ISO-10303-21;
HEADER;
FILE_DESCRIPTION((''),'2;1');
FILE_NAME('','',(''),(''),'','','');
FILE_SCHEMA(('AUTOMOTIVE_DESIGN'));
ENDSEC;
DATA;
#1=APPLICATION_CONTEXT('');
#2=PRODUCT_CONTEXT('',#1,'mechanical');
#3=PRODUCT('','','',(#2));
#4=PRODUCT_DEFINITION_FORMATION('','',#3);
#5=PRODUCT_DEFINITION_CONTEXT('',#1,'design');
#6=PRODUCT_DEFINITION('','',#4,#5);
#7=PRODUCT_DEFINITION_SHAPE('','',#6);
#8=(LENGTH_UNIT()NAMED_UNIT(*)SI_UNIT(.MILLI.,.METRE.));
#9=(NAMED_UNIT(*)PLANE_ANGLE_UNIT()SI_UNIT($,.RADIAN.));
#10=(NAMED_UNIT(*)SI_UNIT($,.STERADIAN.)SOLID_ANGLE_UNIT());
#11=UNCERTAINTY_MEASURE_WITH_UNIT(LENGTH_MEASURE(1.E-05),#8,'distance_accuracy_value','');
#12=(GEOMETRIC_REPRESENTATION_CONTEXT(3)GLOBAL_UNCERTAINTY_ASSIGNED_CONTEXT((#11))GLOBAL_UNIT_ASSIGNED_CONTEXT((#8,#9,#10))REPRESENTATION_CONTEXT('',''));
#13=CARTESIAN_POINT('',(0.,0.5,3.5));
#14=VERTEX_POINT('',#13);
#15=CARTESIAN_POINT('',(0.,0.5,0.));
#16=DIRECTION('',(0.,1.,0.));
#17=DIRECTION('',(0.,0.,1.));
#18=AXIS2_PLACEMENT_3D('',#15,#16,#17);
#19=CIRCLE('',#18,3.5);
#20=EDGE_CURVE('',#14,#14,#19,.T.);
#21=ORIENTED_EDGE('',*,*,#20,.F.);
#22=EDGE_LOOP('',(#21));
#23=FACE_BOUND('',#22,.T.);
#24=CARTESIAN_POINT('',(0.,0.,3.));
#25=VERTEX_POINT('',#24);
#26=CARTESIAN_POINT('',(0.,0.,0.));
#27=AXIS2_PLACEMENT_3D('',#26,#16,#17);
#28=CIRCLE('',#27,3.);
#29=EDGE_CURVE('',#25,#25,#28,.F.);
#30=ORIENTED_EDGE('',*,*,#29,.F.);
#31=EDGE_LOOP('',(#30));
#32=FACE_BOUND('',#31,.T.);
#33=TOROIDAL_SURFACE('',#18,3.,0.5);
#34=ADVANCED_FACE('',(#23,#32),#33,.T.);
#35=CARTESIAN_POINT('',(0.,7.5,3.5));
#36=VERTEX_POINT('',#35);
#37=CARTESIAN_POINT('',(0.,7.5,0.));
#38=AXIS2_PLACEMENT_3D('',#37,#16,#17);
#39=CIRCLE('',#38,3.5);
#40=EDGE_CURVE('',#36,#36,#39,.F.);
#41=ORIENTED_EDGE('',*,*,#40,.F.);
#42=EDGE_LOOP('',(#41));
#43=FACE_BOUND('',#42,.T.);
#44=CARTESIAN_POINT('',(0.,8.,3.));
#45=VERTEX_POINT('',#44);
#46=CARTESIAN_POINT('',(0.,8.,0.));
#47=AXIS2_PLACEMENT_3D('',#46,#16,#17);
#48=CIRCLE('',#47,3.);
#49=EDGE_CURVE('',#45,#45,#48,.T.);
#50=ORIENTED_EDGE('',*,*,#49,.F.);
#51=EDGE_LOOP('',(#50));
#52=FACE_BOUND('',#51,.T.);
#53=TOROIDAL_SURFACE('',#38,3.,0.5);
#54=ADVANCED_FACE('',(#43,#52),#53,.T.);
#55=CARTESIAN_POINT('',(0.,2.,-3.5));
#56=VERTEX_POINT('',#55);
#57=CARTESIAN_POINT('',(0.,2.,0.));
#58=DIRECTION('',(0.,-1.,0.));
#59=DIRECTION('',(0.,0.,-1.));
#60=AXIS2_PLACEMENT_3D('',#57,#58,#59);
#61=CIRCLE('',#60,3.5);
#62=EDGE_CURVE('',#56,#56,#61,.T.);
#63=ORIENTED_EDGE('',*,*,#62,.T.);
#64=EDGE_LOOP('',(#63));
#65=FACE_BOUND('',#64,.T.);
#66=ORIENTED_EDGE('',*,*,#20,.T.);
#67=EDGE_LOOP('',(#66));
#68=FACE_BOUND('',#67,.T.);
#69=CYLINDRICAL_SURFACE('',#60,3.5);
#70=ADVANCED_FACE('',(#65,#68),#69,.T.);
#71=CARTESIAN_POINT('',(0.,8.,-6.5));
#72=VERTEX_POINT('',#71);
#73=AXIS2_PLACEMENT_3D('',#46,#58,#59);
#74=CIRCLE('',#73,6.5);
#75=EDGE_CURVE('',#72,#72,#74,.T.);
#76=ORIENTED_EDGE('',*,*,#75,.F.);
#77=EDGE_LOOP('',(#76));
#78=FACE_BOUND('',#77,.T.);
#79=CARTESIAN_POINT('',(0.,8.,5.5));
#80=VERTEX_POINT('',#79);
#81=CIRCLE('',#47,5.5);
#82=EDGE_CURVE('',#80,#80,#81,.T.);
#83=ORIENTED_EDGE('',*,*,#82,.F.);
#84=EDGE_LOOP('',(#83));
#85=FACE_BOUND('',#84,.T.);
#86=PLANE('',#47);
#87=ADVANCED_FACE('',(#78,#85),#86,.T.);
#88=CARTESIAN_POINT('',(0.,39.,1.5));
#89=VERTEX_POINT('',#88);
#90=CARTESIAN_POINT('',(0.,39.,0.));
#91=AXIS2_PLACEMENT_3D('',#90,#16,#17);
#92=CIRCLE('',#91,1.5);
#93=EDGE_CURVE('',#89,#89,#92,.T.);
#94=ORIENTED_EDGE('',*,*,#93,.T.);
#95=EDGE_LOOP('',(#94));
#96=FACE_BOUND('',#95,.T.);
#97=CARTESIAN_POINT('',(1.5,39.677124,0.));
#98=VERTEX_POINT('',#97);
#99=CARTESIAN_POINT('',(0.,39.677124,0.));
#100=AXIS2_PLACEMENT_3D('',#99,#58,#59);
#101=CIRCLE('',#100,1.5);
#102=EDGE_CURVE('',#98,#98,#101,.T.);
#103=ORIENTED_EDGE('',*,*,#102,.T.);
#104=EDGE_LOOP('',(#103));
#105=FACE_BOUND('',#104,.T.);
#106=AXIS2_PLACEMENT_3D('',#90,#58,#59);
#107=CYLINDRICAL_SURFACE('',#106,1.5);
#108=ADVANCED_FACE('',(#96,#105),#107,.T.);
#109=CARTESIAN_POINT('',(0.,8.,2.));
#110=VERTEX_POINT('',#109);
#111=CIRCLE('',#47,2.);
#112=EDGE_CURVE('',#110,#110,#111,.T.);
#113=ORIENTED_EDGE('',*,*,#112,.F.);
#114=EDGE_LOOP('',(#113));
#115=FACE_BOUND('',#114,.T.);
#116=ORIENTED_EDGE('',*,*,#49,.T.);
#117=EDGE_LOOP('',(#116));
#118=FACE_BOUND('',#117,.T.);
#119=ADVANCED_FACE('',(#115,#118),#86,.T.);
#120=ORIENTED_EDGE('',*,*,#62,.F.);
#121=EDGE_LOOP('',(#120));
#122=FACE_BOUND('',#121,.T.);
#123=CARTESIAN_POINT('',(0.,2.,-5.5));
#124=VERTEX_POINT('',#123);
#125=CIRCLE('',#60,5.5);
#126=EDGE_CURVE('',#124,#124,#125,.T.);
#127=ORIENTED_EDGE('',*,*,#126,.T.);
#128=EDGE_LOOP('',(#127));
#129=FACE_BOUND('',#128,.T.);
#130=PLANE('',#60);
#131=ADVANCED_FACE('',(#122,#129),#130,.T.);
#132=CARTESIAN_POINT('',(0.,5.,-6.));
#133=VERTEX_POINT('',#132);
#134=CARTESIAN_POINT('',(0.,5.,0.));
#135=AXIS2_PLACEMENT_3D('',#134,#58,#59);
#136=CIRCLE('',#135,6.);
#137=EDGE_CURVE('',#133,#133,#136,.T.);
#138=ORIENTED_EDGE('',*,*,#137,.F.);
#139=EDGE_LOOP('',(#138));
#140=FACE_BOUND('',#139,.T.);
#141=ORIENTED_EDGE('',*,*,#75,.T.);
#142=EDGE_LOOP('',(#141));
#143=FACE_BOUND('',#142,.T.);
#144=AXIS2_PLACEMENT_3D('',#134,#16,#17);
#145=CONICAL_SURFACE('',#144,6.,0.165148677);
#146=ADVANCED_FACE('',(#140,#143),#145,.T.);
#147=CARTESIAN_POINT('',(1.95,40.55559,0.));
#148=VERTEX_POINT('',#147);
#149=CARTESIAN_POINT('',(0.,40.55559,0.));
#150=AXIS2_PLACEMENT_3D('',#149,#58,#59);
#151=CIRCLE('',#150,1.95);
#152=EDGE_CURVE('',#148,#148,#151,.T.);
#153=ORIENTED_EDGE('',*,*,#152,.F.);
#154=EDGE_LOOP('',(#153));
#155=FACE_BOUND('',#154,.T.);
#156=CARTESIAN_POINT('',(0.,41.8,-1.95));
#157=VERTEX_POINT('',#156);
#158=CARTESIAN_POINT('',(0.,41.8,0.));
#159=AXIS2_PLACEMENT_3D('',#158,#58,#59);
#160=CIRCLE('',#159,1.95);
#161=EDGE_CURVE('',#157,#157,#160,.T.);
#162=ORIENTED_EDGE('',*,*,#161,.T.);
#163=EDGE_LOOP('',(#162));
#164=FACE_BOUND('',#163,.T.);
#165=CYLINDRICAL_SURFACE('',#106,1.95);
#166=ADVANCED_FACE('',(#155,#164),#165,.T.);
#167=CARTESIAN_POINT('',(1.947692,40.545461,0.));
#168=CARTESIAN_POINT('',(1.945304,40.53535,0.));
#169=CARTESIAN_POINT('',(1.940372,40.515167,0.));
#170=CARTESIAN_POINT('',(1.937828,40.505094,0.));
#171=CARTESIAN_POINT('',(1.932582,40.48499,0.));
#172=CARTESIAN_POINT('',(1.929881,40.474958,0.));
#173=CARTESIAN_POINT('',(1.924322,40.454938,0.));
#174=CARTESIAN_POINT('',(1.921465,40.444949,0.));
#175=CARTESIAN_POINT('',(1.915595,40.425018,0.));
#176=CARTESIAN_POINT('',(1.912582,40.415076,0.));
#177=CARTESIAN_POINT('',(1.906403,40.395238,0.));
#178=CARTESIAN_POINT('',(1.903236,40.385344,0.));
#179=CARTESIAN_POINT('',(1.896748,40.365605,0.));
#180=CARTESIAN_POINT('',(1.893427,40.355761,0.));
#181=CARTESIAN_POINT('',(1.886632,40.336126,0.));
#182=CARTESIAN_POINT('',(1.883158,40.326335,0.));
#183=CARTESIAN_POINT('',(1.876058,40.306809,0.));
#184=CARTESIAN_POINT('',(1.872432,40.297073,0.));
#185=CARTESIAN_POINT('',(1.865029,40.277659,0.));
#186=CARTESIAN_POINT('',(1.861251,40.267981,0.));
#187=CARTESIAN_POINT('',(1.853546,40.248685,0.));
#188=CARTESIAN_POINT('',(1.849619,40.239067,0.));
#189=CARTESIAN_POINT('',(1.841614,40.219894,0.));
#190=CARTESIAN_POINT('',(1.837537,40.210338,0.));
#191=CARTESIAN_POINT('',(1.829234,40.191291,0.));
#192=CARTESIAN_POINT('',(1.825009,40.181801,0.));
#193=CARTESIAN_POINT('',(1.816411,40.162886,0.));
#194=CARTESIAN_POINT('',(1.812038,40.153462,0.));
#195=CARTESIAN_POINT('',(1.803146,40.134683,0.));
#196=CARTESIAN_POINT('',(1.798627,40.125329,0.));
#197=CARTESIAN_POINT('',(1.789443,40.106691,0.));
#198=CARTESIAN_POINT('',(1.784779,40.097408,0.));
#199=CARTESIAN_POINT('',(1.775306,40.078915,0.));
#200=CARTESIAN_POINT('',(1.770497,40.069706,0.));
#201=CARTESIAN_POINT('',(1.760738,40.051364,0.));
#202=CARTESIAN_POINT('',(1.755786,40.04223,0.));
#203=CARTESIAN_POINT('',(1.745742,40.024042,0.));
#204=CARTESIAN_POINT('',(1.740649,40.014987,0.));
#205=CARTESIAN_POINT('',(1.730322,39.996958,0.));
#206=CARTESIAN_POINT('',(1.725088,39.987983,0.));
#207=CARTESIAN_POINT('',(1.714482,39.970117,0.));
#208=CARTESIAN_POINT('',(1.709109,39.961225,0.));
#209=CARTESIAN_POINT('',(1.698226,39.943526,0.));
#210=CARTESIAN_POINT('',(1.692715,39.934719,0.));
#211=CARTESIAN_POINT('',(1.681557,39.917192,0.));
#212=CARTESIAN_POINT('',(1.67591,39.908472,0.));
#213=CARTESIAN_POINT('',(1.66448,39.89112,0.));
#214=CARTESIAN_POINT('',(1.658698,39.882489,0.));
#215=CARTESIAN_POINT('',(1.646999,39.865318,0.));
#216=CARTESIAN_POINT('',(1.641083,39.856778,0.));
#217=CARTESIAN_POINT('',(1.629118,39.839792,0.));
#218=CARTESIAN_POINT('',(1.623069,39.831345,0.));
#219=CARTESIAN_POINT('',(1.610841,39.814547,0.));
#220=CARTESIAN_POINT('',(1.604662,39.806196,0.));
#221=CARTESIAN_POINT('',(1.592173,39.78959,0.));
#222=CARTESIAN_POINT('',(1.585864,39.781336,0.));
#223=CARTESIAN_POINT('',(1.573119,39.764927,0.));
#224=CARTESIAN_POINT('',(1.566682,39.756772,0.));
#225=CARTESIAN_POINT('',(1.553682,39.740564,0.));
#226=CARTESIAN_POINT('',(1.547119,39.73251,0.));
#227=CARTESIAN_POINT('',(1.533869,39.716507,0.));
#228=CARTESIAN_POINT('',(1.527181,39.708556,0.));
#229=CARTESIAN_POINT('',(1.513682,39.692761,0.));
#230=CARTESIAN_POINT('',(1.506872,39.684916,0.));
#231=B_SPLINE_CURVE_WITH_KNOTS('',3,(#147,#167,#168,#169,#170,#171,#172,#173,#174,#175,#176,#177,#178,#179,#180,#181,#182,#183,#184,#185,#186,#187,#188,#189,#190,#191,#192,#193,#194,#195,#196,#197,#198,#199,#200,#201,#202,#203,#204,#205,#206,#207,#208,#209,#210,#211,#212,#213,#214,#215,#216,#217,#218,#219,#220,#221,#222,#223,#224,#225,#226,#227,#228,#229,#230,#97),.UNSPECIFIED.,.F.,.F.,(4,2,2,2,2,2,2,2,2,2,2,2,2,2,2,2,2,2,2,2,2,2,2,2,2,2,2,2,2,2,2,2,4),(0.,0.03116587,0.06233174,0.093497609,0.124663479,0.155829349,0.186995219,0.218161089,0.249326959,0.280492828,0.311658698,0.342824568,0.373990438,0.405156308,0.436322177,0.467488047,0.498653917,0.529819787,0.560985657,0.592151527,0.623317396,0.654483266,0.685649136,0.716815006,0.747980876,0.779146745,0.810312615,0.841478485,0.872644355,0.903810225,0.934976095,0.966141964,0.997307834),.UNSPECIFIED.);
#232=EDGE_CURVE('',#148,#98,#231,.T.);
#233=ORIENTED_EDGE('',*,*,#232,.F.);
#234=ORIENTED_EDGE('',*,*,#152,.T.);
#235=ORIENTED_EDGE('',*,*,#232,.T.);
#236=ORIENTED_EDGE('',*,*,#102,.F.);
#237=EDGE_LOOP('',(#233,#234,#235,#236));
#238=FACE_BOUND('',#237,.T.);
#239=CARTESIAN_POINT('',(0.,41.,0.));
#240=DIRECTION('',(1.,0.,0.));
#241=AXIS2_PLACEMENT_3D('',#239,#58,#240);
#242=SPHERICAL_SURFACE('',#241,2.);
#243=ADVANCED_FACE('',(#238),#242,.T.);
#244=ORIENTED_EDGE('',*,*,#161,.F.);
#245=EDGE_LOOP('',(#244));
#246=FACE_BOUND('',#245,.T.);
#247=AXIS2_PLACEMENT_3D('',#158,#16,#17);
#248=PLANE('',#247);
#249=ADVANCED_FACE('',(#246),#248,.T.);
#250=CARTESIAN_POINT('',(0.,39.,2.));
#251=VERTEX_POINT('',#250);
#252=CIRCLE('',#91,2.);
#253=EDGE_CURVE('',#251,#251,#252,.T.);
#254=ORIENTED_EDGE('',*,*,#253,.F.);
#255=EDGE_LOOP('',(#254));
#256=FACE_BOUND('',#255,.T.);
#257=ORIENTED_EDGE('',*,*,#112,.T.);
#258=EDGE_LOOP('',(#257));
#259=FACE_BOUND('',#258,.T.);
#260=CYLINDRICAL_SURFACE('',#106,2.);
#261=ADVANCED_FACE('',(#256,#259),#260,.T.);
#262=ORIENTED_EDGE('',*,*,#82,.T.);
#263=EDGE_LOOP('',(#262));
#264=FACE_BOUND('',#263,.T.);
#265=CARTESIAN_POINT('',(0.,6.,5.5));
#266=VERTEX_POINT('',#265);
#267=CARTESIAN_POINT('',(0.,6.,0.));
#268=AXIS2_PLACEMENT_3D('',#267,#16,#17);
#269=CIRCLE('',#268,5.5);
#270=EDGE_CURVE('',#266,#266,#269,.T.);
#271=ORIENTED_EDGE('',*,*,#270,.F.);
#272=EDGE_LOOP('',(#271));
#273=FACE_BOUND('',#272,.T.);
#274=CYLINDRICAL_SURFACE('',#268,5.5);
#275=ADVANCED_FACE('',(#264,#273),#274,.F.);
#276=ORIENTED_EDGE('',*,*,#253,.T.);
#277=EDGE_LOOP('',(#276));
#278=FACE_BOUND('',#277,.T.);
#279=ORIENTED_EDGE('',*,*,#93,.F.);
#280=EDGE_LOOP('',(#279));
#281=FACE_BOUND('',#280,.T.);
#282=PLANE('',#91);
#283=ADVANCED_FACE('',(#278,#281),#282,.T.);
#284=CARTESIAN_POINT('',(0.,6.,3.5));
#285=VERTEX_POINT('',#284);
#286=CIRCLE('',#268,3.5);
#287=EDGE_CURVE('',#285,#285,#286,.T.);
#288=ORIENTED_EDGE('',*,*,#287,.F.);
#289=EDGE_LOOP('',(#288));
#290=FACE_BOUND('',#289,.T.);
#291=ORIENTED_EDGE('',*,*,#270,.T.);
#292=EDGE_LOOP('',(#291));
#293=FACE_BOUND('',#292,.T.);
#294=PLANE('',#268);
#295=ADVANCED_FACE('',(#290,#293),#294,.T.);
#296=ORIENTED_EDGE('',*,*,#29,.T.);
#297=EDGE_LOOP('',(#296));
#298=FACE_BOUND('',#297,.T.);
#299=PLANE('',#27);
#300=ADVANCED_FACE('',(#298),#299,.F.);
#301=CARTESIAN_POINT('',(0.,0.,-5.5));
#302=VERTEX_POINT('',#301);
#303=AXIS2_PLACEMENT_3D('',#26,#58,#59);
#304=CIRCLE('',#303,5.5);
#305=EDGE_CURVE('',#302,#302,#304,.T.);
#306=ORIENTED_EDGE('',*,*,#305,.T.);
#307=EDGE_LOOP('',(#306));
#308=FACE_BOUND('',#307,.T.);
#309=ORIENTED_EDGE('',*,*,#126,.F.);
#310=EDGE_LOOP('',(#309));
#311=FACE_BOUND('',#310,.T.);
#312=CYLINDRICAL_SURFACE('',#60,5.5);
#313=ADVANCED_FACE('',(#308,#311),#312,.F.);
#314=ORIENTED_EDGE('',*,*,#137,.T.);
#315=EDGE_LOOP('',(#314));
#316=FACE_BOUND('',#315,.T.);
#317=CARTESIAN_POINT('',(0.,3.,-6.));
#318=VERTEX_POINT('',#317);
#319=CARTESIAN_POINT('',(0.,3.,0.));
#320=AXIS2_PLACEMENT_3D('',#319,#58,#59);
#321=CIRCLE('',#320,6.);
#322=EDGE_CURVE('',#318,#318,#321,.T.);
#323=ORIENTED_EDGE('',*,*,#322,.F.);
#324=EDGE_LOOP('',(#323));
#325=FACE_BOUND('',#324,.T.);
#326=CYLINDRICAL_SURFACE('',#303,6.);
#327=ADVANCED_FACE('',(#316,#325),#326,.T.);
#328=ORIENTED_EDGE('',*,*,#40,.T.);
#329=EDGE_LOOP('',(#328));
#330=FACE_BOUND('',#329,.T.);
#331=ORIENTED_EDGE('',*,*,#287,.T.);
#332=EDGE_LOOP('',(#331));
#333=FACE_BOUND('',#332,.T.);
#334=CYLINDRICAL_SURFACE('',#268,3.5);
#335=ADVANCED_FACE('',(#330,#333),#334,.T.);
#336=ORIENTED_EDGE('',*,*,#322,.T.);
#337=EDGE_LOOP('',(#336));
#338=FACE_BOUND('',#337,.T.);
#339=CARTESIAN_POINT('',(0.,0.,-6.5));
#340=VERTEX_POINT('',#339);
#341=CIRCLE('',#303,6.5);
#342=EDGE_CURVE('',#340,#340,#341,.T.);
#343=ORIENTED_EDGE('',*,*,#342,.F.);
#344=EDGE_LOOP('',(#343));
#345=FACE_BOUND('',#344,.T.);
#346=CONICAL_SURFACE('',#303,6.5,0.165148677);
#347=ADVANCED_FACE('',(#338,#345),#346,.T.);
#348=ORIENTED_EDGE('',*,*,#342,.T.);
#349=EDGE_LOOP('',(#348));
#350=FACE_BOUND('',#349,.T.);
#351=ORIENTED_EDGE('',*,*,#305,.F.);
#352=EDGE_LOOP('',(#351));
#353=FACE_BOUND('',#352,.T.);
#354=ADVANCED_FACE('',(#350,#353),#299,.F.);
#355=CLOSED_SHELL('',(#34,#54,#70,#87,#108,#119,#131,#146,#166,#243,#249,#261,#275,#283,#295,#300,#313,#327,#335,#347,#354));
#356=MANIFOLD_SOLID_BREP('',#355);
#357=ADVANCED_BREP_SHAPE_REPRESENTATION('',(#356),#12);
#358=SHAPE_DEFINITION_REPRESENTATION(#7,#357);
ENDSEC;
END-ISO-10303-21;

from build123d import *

# Parameters (mm, degrees)
SKETCH_1_R          = 6.5
EXTRUDE_1_DEPTH     = 8
SKETCH_2_R          = 2
EXTRUDE_2_DEPTH     = 31
SKETCH_6_R          = 5.5
SKETCH_6_R_2        = 3.5
CUT_EXTRUDE_1_DEPTH = 2
CUT_EXTRUDE_START   = -2
SKETCH_7_R          = 5.5
SKETCH_7_R_2        = 3.5
CUT_EXTRUDE_2_DEPTH = 2
FILLET_2_R          = 0.5


with BuildPart() as part:
    # 草图1 → 凸台-拉伸1 (new body)
    with BuildSketch(Plane(origin=(0, 0, 0), x_dir=(1, 0, 0), z_dir=(0, 1, 0))):
        with Locations(Location((0, 0, 0), (0, 0, 270))):
            Circle(SKETCH_1_R)
    extrude(amount=EXTRUDE_1_DEPTH)

    # 草图2 → 凸台-拉伸2 (add)
    with BuildSketch(Plane(origin=(0, 8, 0), x_dir=(1, 0, 0), z_dir=(0, 1, 0))):
        with Locations(Location((0, 0, 0), (0, 0, 270))):
            Circle(SKETCH_2_R)
    extrude(amount=EXTRUDE_2_DEPTH)

    # 草图4 → 旋转1 (revolve)
    with BuildSketch(Plane.XY):
        with BuildLine():
            Line((0, 39), (0, 41))
            Line((0, 41), (0, 41.8))
            Line((0, 41.8), (1.95, 41.8))
            Line((1.95, 41.8), (1.95, 40.555590279))
            ThreePointArc((1.95, 40.555590279), (1.780042303, 40.088161527), (1.5, 39.677124344))
            Line((1.5, 39.677124344), (1.5, 39))
            Line((1.5, 39), (0, 39))
        make_face()
    revolve(axis=Axis((0, 39, 0), (0, 1, 0)))

    # 草图5 → 切除-旋转1 (revolve, cut)
    with BuildSketch(Plane.XY, mode=Mode.PRIVATE) as cut_revolve_1_sk:
        Polygon((-6.5, 8), (-6.5, 5), (-6.5, 3), (-6.5, 0), (-6, 3), (-6, 5), align=None)
    revolve(cut_revolve_1_sk.sketch.rotate(Axis((0, 0, 0), (0, 1, 0)), 270), axis=Axis((0, 0, 0), (0, 1, 0)), mode=Mode.SUBTRACT)

    # 草图6 → 切除-拉伸1 (cut)
    with BuildSketch(Plane.XZ):
        with Locations(Location((0, 0, 0), (0, 0, 270))):
            Circle(SKETCH_6_R)
        with Locations(Location((0, 0, 0), (0, 0, 270))):
            Circle(SKETCH_6_R_2, mode=Mode.SUBTRACT)
    extrude(amount=-CUT_EXTRUDE_1_DEPTH, mode=Mode.SUBTRACT)

    # 草图7 → 切除-拉伸2 (cut)
    with BuildSketch(Plane(origin=(0, 8, 0), x_dir=(1, 0, 0), z_dir=(0, 1, 0)).offset(CUT_EXTRUDE_START)):
        with Locations(Location((0, 0, 0), (0, 0, 90))):
            Circle(SKETCH_7_R)
        with Locations(Location((0, 0, 0), (0, 0, 90))):
            Circle(SKETCH_7_R_2, mode=Mode.SUBTRACT)
    extrude(amount=CUT_EXTRUDE_2_DEPTH, mode=Mode.SUBTRACT)

    # 圆角2
    fillet_2_edges = [part.edges().sort_by_distance(p)[0] for p in [
        (0, 0, 3.5),
        (0, 8, 3.5),
    ]]
    fillet(fillet_2_edges, radius=FILLET_2_R)


solid = part.part
